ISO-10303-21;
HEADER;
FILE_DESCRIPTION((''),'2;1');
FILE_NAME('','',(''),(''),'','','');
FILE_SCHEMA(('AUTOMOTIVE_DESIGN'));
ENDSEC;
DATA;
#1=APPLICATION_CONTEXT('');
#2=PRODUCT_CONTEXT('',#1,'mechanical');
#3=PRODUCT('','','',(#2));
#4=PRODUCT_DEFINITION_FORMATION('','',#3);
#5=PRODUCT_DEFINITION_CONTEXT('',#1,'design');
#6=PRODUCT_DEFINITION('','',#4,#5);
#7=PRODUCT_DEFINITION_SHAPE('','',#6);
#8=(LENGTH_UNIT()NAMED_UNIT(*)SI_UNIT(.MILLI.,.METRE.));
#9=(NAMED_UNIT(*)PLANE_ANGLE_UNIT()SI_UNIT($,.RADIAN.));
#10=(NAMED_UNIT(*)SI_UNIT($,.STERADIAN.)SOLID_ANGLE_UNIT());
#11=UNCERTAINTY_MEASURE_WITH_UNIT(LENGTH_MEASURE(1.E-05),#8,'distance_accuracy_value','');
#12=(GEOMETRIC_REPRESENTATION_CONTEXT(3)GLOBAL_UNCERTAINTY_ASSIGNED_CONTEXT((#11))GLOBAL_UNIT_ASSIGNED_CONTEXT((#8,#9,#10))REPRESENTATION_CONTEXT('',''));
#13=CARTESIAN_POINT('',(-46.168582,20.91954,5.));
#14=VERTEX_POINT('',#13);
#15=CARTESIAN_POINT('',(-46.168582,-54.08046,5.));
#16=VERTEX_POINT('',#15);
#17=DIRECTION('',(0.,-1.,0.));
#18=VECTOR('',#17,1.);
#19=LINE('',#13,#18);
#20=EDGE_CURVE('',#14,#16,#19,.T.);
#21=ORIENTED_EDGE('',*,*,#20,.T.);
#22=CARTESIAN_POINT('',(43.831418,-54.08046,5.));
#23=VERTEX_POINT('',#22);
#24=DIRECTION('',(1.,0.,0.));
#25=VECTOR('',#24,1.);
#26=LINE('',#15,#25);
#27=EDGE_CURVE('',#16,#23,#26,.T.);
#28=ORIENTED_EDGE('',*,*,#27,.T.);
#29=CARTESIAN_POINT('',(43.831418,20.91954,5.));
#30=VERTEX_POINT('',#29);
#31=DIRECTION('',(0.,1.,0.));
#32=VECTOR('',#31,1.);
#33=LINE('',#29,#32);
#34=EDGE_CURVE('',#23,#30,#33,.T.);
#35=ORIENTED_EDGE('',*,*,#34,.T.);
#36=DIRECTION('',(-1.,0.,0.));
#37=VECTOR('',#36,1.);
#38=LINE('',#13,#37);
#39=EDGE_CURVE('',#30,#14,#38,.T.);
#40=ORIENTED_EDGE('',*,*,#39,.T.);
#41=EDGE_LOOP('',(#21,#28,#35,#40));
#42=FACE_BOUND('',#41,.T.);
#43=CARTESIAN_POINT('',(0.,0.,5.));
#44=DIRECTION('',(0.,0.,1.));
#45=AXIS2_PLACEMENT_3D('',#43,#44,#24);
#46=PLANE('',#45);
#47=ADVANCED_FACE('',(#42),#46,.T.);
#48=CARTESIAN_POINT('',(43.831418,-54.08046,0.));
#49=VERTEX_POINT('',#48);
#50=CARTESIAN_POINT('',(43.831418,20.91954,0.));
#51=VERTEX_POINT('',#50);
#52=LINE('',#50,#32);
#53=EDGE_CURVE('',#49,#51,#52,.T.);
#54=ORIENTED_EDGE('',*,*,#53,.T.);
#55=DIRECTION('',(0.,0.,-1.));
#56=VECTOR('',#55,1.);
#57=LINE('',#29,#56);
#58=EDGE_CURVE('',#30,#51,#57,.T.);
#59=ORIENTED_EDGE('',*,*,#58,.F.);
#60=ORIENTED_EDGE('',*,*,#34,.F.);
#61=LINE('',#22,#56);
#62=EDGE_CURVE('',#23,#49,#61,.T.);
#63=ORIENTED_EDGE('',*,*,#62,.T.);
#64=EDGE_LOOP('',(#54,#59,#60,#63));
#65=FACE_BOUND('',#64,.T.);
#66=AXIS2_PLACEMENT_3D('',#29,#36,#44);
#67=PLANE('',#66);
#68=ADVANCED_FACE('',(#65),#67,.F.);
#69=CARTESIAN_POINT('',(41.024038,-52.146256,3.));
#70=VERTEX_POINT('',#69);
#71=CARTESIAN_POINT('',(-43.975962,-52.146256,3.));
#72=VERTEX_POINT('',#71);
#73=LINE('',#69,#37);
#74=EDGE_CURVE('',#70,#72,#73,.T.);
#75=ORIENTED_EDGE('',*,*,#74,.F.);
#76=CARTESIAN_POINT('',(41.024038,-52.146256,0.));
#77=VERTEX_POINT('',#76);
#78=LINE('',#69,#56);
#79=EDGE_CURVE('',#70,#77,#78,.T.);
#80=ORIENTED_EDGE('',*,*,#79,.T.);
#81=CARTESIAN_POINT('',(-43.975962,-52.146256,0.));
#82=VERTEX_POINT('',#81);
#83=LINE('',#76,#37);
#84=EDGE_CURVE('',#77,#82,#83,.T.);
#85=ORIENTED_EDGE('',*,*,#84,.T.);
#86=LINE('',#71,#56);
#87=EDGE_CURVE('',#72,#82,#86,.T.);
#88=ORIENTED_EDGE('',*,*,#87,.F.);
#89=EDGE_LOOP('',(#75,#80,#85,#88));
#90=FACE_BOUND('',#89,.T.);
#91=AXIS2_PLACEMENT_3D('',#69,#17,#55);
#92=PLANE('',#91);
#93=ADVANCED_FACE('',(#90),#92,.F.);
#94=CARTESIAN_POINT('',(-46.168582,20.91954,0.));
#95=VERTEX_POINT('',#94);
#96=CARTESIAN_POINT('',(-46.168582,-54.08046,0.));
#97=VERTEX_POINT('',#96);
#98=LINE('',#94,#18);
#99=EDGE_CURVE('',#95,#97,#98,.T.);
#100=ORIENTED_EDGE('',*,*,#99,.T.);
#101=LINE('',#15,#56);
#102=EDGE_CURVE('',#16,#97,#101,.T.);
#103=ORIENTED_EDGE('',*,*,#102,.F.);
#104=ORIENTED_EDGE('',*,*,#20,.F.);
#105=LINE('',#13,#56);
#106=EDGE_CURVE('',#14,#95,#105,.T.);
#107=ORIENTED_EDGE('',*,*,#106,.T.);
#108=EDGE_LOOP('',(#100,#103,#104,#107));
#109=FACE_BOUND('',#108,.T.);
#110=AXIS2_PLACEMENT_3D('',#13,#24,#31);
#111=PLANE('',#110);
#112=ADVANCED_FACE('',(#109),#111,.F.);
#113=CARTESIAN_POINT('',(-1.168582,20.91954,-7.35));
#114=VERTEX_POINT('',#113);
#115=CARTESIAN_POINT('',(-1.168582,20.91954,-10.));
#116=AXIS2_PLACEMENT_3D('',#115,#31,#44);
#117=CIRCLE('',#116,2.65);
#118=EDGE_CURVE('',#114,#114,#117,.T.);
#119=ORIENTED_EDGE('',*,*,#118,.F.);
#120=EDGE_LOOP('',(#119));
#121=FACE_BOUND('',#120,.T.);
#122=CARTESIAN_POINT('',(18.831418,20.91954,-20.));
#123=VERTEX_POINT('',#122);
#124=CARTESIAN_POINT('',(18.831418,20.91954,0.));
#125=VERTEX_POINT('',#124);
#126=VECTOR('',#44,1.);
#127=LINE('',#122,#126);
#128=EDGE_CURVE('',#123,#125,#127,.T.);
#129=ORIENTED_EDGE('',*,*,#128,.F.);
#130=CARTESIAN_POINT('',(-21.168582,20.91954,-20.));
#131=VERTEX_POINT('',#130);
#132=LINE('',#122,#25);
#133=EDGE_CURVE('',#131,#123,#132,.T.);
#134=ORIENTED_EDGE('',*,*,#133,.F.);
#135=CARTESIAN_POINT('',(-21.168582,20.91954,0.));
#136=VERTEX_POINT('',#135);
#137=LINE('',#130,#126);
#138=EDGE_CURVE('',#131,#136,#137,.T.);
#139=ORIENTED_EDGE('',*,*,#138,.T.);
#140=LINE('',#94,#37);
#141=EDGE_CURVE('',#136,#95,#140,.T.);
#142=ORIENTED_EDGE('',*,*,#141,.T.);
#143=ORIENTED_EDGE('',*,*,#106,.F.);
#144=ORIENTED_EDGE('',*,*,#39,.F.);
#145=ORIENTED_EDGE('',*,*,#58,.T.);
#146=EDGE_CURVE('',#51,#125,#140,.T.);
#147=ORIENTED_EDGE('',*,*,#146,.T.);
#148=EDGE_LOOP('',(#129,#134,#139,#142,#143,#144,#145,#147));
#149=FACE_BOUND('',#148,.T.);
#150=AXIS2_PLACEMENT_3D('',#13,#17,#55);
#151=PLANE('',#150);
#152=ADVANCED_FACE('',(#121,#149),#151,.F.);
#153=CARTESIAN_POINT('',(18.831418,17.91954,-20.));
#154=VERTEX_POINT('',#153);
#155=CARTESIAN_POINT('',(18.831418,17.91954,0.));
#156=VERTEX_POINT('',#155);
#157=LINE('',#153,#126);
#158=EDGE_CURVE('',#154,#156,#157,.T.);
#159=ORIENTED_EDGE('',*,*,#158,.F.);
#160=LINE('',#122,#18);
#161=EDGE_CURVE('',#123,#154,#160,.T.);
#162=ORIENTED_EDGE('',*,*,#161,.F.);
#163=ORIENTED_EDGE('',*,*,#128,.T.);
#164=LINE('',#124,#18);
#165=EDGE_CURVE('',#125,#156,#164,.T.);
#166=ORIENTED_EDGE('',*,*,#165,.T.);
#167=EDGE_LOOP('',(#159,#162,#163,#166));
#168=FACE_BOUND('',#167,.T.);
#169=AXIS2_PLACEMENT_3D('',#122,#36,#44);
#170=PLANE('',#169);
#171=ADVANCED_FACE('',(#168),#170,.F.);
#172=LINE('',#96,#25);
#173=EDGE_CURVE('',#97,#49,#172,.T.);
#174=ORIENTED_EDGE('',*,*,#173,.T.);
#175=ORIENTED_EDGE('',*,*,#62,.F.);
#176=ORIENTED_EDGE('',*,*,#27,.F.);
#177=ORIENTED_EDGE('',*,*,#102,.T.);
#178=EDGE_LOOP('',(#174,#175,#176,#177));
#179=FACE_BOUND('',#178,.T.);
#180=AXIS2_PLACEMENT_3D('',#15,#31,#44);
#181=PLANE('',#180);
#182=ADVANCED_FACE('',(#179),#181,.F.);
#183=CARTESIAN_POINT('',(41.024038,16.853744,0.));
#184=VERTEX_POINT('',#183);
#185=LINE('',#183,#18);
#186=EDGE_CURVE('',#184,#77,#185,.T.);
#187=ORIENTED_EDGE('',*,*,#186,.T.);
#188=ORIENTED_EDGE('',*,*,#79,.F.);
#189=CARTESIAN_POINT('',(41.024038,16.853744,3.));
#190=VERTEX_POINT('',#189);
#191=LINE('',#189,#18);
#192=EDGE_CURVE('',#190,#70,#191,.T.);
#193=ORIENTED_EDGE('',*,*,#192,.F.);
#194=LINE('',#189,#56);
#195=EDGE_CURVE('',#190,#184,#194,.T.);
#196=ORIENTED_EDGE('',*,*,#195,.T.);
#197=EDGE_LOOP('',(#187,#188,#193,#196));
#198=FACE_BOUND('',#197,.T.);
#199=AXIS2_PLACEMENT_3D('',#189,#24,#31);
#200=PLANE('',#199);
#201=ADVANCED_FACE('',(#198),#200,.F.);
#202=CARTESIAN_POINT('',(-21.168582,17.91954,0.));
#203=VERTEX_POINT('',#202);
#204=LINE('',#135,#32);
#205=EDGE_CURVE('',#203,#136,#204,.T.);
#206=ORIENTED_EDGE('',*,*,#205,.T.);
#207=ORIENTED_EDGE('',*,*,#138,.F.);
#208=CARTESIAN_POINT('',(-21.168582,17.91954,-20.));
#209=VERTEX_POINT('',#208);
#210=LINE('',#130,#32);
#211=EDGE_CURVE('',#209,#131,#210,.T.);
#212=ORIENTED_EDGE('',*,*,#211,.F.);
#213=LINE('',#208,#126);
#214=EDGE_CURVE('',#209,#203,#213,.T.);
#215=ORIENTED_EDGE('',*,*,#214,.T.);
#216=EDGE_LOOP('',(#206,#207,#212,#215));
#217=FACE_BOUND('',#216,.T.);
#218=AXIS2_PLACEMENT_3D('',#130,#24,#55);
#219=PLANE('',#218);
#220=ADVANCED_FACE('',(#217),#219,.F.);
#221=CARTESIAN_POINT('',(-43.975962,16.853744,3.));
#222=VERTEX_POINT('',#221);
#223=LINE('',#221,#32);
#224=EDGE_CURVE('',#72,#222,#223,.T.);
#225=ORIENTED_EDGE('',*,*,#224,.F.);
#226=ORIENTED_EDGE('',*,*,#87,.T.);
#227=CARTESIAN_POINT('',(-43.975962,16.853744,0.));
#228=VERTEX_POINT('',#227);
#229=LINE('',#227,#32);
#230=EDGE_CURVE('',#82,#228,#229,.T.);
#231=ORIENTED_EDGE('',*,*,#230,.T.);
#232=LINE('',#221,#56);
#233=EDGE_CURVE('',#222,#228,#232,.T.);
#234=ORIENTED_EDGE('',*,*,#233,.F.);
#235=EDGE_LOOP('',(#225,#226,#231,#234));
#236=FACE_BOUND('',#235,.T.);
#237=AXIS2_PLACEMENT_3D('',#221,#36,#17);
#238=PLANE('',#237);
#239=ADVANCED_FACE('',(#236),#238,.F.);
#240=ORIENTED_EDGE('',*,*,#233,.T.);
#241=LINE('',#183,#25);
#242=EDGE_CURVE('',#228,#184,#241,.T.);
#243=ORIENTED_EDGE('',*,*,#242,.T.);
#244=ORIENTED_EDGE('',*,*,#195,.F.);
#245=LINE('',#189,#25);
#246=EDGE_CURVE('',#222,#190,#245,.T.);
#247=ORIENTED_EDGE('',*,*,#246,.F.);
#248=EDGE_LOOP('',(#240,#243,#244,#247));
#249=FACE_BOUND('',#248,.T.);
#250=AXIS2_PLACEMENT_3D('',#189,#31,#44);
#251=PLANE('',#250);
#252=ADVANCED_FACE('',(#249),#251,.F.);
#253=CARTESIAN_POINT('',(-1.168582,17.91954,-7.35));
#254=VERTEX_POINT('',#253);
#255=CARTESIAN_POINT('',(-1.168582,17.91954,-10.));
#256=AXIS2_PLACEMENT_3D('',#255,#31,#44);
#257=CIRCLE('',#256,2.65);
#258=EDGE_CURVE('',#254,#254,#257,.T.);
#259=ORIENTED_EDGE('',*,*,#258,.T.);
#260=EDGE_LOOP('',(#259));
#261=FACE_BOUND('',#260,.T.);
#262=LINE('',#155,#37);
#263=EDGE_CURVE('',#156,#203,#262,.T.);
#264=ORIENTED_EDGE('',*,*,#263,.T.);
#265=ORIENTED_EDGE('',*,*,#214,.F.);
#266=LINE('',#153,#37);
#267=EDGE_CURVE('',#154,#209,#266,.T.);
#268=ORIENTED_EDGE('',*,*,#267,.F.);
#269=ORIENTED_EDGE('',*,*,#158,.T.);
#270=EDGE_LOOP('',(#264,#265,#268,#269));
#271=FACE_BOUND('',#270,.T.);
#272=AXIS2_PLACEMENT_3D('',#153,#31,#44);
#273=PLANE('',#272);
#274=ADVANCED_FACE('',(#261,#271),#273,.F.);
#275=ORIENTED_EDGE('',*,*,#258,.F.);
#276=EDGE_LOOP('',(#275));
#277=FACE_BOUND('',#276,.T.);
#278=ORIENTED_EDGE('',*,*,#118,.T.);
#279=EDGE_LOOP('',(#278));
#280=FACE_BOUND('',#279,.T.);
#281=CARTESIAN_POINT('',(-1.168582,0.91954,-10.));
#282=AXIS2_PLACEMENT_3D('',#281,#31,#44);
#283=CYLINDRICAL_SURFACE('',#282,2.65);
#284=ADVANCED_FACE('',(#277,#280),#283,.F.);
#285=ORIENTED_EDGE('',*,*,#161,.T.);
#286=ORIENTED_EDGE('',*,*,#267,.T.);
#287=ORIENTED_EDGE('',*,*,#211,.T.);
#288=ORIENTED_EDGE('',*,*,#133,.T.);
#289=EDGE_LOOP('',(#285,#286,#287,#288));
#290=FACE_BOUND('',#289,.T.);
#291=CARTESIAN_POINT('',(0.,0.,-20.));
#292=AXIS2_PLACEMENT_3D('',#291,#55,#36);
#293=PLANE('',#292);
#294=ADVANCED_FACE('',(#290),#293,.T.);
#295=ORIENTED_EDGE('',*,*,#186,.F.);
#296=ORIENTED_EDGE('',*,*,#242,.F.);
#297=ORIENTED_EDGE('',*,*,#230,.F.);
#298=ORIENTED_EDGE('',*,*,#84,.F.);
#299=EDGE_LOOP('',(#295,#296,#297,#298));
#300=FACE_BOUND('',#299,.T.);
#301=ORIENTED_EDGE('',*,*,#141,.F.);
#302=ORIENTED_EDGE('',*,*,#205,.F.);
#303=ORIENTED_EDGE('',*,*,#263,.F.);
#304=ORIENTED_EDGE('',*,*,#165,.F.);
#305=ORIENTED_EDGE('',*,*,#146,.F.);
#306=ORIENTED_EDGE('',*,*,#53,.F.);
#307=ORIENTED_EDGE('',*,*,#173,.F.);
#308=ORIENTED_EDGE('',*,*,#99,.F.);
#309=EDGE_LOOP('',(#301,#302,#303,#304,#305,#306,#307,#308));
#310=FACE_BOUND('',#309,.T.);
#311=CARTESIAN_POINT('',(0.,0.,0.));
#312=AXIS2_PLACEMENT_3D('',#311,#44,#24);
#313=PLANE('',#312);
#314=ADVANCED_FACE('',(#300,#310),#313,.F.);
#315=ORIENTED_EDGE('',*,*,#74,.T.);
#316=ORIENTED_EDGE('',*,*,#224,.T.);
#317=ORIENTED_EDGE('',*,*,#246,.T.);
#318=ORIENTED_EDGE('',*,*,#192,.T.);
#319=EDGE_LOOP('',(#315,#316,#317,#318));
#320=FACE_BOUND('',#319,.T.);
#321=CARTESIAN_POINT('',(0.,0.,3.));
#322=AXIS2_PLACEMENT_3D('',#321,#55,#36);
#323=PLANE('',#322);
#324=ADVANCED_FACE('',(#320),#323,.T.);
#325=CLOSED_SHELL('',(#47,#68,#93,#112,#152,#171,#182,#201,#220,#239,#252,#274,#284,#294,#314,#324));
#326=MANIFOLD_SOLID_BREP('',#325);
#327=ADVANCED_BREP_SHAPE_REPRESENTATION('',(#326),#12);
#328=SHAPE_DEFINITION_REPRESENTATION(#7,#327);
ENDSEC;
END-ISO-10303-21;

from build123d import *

# Parameters (mm, degrees)
SKETCH_1_W          = 90
SKETCH_1_H          = 75
EXTRUDE_1_DEPTH     = 5
SKETCH_3_W          = 40
SKETCH_3_H          = 3
EXTRUDE_2_DEPTH     = 20
SKETCH_4_R          = 2.65
CUT_EXTRUDE_2_DEPTH = 20
SKETCH_5_W          = 85
SKETCH_5_H          = 69
CUT_EXTRUDE_3_DEPTH = 3


with BuildPart() as part:
    # 草图1 → 凸台-拉伸1 (new body)
    with BuildSketch(Plane.XY):
        with Locations((-1.168582375, -16.58045977)):
            Rectangle(SKETCH_1_W, SKETCH_1_H)
    extrude(amount=EXTRUDE_1_DEPTH)

    # 草图3 → 凸台-拉伸2 (add)
    with BuildSketch(Plane(origin=(0, 0, 0), x_dir=(-1, 0, 0), z_dir=(0, 0, -1))):
        with Locations((1.168582375, 19.41954023)):
            Rectangle(SKETCH_3_W, SKETCH_3_H)
    extrude(amount=EXTRUDE_2_DEPTH)

    # 草图4 → 切除-拉伸2 (cut)
    with BuildSketch(Plane(origin=(0, 20.91954023, 0), x_dir=(1, 0, 0), z_dir=(0, 1, 0))):
        with Locations((-1.168582375, 10)):
            Circle(SKETCH_4_R)
    extrude(amount=-CUT_EXTRUDE_2_DEPTH, mode=Mode.SUBTRACT)

    # 草图5 → 切除-拉伸3 (cut)
    with BuildSketch(Plane(origin=(0, 0, 0), x_dir=(-1, 0, 0), z_dir=(0, 0, -1))):
        with Locations((1.475961606, -17.646255622)):
            Rectangle(SKETCH_5_W, SKETCH_5_H)
    extrude(amount=-CUT_EXTRUDE_3_DEPTH, mode=Mode.SUBTRACT)


solid = part.part
